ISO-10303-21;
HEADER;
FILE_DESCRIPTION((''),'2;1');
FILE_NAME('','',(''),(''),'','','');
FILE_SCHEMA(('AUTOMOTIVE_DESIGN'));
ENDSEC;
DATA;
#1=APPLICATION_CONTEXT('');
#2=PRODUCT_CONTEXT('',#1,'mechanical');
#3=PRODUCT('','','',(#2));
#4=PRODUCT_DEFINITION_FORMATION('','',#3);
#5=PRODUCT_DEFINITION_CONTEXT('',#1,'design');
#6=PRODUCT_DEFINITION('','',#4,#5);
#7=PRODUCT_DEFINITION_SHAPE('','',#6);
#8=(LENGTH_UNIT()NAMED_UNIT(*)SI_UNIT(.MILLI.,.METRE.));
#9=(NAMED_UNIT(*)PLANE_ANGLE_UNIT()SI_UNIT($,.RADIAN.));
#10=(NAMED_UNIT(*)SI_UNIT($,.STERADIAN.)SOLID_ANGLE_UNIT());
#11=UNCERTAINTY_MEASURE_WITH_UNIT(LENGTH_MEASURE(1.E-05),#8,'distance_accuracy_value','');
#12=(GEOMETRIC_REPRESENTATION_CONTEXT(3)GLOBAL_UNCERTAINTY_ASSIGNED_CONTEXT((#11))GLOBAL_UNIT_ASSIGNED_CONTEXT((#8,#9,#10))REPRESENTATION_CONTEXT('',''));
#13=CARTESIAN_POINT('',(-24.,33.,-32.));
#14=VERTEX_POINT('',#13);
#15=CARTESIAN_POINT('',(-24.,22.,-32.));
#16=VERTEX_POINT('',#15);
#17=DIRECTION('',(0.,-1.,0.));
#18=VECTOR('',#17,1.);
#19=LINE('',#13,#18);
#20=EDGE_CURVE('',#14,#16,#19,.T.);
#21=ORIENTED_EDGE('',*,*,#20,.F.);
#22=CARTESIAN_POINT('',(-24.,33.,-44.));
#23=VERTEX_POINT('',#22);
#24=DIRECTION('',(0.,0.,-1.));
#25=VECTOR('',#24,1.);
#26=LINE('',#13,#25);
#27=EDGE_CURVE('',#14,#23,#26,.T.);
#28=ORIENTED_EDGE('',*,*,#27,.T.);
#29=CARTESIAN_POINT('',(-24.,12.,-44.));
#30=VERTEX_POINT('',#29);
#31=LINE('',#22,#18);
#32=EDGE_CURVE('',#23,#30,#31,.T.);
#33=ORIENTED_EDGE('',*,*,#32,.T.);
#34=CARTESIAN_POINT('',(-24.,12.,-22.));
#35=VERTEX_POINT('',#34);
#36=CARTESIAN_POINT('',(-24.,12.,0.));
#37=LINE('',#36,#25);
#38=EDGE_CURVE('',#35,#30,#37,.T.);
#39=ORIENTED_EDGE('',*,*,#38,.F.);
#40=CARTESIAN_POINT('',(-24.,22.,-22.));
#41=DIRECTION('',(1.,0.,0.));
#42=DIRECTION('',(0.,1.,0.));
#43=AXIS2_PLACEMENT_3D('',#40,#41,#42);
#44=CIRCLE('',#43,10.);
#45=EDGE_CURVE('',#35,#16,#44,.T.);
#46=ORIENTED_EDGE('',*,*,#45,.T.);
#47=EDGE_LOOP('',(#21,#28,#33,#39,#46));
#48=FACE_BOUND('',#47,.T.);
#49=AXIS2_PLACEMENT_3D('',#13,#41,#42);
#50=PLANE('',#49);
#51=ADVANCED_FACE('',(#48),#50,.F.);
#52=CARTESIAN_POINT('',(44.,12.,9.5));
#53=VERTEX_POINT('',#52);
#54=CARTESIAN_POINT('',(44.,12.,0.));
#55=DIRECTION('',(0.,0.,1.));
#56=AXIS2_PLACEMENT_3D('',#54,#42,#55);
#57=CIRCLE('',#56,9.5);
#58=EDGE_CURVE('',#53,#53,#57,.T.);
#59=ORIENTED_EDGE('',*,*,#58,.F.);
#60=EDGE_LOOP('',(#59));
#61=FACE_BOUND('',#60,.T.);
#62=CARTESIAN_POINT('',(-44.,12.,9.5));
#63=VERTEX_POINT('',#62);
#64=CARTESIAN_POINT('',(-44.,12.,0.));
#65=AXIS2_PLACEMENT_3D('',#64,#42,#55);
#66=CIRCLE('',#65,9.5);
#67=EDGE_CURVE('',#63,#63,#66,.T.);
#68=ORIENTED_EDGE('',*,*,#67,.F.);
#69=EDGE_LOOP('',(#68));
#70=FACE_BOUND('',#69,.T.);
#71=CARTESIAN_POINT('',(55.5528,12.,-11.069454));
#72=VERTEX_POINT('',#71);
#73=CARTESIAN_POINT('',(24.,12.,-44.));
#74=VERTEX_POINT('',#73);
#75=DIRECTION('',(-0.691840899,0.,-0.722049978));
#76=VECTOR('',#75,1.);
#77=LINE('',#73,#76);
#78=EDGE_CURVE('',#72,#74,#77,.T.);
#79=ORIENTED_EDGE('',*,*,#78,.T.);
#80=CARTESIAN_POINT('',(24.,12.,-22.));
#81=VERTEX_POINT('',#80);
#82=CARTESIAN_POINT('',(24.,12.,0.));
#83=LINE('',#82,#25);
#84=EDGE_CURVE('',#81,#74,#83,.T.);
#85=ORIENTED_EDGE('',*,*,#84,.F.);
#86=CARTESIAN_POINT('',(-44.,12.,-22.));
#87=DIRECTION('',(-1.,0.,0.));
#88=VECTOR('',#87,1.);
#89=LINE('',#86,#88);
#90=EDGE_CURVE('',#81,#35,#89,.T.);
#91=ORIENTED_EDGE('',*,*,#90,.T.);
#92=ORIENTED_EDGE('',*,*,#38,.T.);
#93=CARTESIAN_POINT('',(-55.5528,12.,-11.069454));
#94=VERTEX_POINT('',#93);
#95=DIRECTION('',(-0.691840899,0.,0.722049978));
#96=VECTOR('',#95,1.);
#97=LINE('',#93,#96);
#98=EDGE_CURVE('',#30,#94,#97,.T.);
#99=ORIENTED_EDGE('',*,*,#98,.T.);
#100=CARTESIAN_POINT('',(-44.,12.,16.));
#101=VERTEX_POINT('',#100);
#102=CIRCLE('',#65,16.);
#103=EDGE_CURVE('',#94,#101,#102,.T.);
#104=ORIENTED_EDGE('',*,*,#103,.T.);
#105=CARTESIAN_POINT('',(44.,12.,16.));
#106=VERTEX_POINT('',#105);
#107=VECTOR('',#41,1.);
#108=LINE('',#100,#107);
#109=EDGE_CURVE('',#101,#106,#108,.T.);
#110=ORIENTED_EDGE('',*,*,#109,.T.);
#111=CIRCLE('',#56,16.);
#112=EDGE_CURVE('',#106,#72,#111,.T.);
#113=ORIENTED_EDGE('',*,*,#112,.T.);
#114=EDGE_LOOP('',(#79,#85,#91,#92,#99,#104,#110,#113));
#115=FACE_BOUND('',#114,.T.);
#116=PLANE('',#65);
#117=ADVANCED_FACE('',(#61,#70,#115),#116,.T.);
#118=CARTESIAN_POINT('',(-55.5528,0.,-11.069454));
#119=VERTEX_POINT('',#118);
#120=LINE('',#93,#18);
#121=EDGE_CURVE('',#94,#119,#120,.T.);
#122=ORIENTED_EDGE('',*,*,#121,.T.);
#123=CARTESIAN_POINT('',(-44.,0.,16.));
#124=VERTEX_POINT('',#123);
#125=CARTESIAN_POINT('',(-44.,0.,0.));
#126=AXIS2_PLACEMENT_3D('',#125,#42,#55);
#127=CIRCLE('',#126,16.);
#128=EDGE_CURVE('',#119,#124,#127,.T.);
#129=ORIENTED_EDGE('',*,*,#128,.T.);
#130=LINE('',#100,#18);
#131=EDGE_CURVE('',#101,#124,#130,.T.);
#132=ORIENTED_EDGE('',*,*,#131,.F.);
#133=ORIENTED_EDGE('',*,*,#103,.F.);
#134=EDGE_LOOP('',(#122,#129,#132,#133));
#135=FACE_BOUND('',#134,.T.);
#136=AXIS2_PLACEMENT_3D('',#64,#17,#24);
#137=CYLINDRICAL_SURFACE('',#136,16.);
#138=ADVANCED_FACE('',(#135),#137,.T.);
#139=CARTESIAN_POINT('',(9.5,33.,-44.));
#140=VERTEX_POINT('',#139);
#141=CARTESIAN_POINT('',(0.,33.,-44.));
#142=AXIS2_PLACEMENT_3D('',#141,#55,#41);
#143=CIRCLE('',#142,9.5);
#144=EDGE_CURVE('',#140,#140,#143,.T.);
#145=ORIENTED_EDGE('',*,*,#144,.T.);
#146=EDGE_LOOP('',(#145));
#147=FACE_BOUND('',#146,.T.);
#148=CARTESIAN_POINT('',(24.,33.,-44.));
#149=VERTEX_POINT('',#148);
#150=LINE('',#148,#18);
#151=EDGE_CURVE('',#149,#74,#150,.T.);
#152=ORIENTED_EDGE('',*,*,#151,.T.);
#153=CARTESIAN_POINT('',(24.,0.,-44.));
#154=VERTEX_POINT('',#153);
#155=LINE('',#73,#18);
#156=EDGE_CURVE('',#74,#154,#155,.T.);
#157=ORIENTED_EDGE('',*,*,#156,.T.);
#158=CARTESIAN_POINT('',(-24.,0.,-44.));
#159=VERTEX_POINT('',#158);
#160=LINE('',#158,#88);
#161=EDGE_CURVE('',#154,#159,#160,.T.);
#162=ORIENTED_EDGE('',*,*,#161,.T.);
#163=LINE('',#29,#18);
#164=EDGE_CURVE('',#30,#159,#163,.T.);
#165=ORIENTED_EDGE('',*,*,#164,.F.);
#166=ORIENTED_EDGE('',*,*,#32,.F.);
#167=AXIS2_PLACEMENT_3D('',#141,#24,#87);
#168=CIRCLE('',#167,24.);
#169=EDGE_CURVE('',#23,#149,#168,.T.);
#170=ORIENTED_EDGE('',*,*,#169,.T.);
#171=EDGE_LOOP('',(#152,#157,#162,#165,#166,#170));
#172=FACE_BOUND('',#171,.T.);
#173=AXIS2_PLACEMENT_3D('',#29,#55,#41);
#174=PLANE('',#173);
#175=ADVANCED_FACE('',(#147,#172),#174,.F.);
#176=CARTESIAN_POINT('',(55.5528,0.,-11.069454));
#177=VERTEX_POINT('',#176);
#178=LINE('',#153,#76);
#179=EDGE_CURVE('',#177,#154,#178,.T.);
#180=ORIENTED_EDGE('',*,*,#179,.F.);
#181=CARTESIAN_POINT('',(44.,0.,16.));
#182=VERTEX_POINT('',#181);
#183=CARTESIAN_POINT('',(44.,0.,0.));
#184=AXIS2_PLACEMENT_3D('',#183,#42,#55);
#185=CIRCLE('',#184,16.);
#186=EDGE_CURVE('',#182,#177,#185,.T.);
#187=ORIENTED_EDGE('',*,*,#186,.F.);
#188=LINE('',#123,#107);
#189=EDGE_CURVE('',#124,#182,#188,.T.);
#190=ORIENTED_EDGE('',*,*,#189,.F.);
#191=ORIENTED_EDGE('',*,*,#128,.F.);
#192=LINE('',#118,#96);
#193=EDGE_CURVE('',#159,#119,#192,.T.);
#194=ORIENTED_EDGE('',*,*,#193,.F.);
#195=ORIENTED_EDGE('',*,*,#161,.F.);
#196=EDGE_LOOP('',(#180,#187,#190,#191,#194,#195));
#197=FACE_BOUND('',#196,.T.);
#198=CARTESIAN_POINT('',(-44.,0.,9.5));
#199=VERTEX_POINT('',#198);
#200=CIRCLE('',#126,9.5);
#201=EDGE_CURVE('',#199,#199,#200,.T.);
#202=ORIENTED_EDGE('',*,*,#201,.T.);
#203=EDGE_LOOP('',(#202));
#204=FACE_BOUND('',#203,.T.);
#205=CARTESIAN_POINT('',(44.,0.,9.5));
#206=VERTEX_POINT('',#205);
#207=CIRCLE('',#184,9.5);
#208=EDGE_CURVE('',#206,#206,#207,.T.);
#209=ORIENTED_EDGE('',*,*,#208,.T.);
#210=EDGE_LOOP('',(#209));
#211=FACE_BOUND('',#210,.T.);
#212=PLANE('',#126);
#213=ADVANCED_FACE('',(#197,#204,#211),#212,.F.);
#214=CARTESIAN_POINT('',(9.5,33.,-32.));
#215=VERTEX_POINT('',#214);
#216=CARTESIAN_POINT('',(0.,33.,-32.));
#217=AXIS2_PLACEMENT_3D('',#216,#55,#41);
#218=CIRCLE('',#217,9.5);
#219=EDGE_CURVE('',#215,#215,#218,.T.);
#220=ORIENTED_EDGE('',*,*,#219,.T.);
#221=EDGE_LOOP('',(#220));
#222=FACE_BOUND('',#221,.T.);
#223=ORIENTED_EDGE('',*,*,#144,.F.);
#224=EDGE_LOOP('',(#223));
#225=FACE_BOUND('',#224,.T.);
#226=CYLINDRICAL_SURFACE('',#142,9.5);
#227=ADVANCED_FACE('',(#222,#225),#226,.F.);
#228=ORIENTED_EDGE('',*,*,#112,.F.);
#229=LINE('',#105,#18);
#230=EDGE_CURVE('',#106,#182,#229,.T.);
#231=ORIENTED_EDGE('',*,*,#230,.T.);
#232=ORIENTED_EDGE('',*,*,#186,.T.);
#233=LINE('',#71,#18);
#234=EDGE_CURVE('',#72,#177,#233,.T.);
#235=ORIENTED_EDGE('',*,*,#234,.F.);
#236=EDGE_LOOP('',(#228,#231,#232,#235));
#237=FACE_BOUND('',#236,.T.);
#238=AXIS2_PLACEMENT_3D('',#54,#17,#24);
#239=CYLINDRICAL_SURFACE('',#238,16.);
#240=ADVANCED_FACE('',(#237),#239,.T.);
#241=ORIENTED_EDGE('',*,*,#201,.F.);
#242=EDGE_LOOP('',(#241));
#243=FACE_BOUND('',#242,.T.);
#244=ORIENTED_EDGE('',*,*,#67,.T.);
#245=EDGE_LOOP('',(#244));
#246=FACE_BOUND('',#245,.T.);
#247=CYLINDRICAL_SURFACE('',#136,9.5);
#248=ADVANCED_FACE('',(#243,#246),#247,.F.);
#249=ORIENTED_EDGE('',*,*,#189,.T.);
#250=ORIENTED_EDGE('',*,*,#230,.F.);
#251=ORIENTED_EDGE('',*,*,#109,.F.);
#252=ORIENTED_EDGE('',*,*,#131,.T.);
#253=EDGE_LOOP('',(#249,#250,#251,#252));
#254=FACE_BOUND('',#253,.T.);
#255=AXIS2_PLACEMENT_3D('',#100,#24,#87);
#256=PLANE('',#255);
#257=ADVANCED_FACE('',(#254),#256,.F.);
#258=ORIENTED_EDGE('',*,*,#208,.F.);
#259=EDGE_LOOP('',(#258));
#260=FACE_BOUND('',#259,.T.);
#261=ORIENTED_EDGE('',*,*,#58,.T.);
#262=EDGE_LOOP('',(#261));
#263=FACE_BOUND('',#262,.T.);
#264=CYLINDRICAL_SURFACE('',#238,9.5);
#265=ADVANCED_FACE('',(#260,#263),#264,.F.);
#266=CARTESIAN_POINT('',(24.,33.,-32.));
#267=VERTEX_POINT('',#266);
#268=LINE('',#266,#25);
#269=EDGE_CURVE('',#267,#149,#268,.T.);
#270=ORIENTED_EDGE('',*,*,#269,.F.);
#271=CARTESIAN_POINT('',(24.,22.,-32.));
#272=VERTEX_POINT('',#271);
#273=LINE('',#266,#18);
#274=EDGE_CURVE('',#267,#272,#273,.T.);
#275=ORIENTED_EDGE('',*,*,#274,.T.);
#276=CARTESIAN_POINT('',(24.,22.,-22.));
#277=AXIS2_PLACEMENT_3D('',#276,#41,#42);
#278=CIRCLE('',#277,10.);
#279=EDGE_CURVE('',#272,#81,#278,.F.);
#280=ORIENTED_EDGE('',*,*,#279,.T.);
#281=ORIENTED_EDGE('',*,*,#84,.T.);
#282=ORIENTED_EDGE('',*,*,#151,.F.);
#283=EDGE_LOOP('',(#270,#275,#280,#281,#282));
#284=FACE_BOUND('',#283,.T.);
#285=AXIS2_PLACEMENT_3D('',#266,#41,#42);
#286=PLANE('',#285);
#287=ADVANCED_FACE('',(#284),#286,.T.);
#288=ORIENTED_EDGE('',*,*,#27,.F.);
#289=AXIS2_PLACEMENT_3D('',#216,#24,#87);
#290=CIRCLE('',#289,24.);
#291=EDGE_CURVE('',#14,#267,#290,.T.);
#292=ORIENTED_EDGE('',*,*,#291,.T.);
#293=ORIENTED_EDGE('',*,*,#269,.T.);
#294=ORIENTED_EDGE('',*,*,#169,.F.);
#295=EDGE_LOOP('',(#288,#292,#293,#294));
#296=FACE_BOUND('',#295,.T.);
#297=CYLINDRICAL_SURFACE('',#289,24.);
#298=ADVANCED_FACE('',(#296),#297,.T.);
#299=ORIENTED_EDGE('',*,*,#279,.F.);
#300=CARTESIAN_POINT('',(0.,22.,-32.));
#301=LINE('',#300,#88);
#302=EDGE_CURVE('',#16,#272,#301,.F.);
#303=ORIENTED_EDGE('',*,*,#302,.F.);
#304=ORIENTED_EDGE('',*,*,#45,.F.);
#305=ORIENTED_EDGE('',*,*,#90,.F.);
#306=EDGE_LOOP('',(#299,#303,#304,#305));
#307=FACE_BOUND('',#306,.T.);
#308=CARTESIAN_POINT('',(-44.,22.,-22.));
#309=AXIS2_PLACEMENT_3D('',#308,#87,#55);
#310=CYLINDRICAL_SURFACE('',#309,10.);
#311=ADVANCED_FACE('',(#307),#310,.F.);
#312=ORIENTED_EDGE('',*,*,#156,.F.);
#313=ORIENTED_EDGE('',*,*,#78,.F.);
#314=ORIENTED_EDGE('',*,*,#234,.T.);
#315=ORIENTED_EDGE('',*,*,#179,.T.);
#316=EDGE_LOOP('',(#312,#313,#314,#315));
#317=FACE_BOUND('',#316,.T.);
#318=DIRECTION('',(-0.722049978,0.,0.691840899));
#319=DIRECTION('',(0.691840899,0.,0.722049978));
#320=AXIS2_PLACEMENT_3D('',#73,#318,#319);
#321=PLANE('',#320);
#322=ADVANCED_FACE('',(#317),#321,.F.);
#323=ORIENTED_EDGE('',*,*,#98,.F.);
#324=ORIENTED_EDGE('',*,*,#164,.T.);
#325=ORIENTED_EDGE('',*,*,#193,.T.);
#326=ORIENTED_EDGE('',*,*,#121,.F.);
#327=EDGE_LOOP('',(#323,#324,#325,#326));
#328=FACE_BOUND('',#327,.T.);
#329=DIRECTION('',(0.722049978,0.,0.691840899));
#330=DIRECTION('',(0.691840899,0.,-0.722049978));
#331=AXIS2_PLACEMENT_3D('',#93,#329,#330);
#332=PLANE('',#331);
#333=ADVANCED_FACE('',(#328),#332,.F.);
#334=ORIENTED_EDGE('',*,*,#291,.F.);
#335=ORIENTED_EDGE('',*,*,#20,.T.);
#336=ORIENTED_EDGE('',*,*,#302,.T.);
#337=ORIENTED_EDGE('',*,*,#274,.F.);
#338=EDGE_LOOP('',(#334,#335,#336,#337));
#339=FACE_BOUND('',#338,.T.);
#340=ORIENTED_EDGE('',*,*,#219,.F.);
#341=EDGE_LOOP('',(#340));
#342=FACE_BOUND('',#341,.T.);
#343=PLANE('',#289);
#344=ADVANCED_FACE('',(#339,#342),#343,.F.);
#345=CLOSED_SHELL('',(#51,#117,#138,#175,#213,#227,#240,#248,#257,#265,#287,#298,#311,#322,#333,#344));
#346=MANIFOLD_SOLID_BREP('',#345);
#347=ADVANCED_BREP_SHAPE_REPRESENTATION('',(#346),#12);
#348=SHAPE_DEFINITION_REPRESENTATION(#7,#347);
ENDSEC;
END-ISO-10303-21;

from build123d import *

# Parameters (mm, degrees)
EXTRUDE_3_DEPTH     = 12
SKETCH_10_R         = 9.5
CUT_EXTRUDE_4_DEPTH = 13
EXTRUDE_4_DEPTH     = 12
SKETCH_12_R         = 9.5
CUT_EXTRUDE_5_DEPTH = 12
FILLET_1_R          = 10


with BuildPart() as part:
    # 스케치8 → 보스-돌출3 (new body)
    with BuildSketch(Plane(origin=(0, 0, 0), x_dir=(1, 0, 0), z_dir=(0, 1, 0))):
        with BuildLine():
            Line((-44, -16), (44, -16))
            ThreePointArc((44, -16), (58.715829405, -6.280474897), (55.552799645, 11.069454384))
            Line((55.552799645, 11.069454384), (24, 44))
            Line((24, 44), (-24, 44))
            Line((-24, 44), (-55.552799645, 11.069454384))
            ThreePointArc((-55.552799645, 11.069454384), (-58.715829405, -6.280474897), (-44, -16))
        make_face()
    extrude(amount=EXTRUDE_3_DEPTH)

    # 스케치10 → 컷-돌출4 (cut, through all)
    with BuildSketch(Plane(origin=(0, 0, 0), x_dir=(1, 0, 0), z_dir=(0, 1, 0))):
        with Locations((-44, 0)):
            Circle(SKETCH_10_R)
        with Locations((44, 0)):
            Circle(SKETCH_10_R)
    extrude(amount=CUT_EXTRUDE_4_DEPTH, mode=Mode.SUBTRACT)

    # 스케치11 → 보스-돌출4 (add)
    with BuildSketch(Plane(origin=(0, 0, -44), x_dir=(-1, 0, 0), z_dir=(0, 0, -1))):
        with BuildLine():
            Line((-24, 33), (-24, 0))
            Line((-24, 0), (24, 0))
            Line((24, 0), (24, 33))
            ThreePointArc((24, 33), (0, 57), (-24, 33))
        make_face()
    extrude(amount=-EXTRUDE_4_DEPTH)

    # 스케치12 → 컷-돌출5 (cut)
    with BuildSketch(Plane.XY.offset(-32)):
        with Locations((0, 33)):
            Circle(SKETCH_12_R)
    extrude(amount=-CUT_EXTRUDE_5_DEPTH, mode=Mode.SUBTRACT)

    # 필렛1
    fillet_1_edges = [part.edges().sort_by_distance(p)[0] for p in [
        (0, 12, -32),
    ]]
    fillet(fillet_1_edges, radius=FILLET_1_R)


solid = part.part
